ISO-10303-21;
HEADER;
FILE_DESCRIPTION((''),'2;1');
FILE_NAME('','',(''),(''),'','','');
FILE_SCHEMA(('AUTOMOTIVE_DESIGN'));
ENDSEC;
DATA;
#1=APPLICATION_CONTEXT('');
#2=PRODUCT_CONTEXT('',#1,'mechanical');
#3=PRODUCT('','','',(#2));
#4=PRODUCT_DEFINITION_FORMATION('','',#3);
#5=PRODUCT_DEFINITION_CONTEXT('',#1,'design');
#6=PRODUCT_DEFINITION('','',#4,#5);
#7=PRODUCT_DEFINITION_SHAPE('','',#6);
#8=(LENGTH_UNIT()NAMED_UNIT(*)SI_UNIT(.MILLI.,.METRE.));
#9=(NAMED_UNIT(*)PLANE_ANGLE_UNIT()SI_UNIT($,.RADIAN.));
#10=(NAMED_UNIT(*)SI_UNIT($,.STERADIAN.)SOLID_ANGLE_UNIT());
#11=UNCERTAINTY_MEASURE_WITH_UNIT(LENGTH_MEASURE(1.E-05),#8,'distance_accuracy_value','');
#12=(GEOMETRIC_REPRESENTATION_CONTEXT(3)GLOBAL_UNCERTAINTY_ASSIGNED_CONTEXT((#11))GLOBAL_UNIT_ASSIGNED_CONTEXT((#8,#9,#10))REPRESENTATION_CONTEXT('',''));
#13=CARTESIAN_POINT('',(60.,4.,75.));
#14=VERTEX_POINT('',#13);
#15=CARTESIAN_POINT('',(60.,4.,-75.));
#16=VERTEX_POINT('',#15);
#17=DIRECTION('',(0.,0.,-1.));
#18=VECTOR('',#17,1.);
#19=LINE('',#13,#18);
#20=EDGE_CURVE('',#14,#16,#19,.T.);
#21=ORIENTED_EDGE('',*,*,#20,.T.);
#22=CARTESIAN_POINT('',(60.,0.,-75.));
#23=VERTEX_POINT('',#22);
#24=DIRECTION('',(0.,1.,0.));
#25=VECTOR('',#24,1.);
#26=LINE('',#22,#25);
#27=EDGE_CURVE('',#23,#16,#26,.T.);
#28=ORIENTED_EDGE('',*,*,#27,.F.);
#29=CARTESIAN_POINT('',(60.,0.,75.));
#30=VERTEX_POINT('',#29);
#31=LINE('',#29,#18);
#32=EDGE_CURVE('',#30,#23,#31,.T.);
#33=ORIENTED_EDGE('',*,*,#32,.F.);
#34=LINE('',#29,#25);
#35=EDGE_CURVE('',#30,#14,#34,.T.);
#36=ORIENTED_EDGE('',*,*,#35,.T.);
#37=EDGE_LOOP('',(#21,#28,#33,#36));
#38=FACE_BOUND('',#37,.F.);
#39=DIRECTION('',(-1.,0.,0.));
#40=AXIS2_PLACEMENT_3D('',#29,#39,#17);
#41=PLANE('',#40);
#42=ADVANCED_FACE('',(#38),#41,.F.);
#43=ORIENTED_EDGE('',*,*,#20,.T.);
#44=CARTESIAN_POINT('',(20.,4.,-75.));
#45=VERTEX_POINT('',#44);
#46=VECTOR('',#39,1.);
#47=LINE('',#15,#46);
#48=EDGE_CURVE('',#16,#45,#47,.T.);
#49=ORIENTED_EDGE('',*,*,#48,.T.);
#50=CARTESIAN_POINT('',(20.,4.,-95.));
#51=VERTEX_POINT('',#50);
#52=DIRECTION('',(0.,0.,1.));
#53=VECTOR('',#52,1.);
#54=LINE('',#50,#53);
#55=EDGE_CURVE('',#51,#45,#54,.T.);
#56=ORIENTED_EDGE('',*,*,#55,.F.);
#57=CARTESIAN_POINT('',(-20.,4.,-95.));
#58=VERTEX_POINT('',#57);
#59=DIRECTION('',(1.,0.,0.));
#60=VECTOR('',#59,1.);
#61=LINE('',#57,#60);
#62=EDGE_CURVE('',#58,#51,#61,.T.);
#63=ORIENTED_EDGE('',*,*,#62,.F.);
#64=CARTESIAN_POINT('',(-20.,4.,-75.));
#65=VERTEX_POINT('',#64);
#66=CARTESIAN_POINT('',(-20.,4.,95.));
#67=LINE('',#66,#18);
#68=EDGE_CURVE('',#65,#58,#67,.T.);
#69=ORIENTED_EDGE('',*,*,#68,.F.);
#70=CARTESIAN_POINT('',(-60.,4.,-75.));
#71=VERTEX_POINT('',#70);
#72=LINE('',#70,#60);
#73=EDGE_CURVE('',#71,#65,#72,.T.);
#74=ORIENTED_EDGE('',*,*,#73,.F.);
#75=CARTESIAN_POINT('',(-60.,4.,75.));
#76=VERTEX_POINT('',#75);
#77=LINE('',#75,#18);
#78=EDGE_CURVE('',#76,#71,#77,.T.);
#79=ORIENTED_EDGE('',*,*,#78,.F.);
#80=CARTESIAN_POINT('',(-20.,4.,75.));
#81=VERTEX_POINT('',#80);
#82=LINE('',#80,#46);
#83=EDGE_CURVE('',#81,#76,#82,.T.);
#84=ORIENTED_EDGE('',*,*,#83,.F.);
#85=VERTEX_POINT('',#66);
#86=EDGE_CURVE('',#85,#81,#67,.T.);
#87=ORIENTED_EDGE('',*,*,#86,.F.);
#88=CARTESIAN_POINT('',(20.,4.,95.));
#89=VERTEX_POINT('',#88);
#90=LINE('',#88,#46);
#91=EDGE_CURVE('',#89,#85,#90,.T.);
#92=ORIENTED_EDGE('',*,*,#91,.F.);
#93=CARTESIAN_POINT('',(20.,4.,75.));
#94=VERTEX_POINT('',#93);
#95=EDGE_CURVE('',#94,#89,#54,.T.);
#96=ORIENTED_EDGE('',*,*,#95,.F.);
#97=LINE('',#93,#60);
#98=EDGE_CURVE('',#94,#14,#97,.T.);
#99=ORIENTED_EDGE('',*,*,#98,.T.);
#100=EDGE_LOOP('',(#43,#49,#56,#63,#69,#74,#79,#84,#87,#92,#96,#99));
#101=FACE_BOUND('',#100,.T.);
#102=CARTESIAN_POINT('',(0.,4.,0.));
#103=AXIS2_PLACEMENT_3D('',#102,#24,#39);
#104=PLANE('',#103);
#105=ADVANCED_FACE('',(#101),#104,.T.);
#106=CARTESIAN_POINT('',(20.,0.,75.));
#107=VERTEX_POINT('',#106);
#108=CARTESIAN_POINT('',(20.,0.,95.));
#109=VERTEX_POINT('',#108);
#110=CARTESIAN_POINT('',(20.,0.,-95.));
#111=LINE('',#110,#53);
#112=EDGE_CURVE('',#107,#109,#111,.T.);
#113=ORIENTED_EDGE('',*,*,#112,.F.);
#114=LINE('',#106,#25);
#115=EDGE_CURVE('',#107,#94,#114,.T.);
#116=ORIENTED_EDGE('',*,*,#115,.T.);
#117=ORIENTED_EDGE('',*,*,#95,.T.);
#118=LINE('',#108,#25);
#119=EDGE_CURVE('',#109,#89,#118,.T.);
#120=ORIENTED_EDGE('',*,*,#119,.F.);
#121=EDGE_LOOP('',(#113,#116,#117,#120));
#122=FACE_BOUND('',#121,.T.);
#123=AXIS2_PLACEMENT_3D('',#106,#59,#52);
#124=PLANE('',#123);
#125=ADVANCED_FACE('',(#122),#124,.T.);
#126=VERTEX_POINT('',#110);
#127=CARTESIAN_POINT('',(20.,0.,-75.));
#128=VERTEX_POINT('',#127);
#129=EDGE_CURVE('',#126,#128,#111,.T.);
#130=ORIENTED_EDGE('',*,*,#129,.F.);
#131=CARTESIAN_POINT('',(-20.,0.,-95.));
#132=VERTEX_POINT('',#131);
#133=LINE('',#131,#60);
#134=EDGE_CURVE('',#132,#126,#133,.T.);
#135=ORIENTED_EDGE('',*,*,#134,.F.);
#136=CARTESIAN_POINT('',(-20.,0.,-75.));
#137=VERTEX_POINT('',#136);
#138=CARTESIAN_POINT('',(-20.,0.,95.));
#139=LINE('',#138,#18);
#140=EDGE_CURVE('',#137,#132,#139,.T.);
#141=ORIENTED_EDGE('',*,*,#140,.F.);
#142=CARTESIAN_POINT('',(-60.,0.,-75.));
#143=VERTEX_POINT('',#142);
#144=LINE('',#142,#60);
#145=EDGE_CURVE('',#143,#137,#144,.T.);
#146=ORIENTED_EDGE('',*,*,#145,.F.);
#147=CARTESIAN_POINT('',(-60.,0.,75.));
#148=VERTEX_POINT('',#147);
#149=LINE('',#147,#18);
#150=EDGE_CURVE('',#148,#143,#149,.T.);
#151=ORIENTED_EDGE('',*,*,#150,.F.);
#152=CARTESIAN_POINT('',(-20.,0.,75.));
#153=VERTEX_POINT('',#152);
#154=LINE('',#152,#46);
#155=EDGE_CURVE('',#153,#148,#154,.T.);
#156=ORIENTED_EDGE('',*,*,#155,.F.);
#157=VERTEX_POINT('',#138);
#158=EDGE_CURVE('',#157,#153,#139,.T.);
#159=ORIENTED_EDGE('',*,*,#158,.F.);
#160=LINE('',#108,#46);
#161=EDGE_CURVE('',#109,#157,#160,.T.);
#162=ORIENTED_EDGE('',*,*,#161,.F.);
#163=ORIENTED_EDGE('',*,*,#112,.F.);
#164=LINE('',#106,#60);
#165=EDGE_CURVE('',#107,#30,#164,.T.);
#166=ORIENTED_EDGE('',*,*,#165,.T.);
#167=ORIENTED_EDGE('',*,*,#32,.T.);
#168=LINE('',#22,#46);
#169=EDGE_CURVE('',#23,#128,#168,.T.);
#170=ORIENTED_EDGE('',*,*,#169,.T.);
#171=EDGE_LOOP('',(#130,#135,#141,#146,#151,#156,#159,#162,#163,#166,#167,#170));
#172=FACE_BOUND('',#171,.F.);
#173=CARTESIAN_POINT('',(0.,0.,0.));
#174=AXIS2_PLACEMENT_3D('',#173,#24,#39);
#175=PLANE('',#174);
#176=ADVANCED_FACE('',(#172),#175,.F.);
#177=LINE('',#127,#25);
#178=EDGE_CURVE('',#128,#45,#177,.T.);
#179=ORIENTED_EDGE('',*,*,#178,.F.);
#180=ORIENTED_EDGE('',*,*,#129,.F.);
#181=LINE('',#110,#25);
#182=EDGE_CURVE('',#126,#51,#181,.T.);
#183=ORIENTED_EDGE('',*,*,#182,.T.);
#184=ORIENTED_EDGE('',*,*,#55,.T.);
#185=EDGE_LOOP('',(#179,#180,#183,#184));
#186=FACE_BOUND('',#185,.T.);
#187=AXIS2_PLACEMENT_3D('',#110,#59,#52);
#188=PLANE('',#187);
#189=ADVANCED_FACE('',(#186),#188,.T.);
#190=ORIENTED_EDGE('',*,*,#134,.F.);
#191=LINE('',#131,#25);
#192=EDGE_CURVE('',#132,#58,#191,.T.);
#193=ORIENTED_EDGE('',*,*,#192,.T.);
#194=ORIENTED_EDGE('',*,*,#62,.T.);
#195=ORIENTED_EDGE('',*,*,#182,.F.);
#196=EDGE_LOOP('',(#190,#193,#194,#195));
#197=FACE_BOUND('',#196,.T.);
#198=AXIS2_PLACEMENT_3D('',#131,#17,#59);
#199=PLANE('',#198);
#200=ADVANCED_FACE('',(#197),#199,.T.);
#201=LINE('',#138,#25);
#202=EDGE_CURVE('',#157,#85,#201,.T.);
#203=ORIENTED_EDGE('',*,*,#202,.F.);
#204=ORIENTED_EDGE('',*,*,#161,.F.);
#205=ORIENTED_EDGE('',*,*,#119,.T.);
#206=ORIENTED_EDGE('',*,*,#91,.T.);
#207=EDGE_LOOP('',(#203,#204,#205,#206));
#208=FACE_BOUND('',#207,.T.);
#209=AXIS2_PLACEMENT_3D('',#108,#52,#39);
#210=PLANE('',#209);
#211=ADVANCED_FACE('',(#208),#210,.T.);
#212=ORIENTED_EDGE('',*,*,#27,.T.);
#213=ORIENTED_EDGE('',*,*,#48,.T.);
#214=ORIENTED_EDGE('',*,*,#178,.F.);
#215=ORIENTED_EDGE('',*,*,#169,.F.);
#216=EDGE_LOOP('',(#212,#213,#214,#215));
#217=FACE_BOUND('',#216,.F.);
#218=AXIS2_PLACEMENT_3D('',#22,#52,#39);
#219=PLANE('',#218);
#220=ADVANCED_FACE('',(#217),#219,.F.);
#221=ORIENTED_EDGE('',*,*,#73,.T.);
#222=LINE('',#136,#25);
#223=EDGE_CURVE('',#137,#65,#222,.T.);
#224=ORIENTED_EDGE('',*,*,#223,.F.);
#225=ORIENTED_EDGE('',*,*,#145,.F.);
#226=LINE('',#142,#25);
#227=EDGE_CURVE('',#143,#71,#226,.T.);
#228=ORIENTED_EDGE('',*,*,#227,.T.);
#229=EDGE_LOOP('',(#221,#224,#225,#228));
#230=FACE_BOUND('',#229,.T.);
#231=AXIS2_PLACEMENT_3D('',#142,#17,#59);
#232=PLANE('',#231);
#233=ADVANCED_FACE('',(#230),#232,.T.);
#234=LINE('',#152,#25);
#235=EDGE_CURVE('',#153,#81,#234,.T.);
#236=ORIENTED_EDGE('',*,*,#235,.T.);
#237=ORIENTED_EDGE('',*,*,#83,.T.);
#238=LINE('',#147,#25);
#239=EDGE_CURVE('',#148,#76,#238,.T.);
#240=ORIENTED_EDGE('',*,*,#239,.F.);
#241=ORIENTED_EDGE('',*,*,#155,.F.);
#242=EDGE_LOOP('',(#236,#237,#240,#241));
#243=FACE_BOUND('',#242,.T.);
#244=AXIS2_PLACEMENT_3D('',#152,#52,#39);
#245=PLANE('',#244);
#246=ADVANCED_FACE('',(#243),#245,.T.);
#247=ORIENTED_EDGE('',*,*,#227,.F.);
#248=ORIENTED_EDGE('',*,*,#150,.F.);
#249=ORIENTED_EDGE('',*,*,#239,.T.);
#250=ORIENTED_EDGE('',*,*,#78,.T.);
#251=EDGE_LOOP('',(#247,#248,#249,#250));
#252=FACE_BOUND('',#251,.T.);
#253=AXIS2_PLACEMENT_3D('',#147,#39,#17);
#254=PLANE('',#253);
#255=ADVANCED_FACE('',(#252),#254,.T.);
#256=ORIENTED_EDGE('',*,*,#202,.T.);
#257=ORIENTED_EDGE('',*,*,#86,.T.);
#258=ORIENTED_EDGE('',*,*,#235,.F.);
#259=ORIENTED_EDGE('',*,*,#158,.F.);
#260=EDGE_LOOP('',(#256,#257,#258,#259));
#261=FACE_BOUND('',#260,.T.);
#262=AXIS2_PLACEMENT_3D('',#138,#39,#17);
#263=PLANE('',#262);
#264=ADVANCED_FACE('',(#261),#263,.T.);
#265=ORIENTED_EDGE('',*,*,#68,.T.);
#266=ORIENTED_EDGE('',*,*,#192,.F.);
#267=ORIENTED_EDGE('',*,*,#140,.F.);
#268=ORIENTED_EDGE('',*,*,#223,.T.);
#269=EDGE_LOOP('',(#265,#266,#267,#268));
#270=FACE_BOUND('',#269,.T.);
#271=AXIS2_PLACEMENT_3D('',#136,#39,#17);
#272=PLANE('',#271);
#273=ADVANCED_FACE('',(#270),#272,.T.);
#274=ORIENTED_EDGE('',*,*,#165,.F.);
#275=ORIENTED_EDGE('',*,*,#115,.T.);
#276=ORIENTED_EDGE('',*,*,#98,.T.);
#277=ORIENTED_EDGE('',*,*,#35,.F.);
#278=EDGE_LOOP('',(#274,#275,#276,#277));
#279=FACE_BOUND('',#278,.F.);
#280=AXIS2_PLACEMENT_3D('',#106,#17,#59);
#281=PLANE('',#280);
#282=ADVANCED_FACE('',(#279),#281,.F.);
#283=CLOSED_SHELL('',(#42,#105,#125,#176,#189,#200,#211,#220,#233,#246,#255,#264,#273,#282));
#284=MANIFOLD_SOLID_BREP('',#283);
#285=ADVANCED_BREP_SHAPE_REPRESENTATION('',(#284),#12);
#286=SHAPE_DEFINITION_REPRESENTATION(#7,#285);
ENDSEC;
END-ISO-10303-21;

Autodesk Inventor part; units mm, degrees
ref_plane "YZ Plane" through (0, 0, 0) normal (1, 0, 0) x (0, 1, 0)
ref_plane "XZ Plane" through (0, 0, 0) normal (0, 1, 0) x (-1, 0, 0)
ref_plane "XY Plane" through (0, 0, 0) normal (0, 0, 1) x (1, 0, 0)
sketch "Esquisse1" plane through (0, 0, 0) normal (0, 1, 0) x (-1, 0, 0)
  line L0 (-20, 95) -> (20, 95)
  line L1 (20, 95) -> (20, -95)
  line L2 (20, -95) -> (-20, -95)
  line L3 (-20, -95) -> (-20, 95)
  line L4 (-20, 75) -> (-60, 75)
  line L5 (-60, 75) -> (-60, -75)
  line L6 (-60, -75) -> (-20, -75)
  line L7 (-20, -75) -> (-20, 75)
  line L8 (20, 75) -> (60, 75)
  line L9 (60, 75) -> (60, -75)
  line L10 (60, -75) -> (20, -75)
  line L11 (20, -75) -> (20, 75)
  point P0 (0, 0)
  dimension "d0" = 190
  dimension "d1" = 120
  dimension "d2" = 40
  dimension "d3" = 40
  dimension "d4" = 20
  dimension "d5" = 95
  dimension "d6" = 20
  dimension "d7" = 20
extrude "Extrusion1" add sketch "Esquisse1" along normal blind 4
equation "\"d2\" = d1 - 2 * d3"
equation "\"d4\" = 0.5 * d2"
equation "\"d5\" = 0.5 * d0"
equation "\"d7\" = d6"
properties part number "base2"
